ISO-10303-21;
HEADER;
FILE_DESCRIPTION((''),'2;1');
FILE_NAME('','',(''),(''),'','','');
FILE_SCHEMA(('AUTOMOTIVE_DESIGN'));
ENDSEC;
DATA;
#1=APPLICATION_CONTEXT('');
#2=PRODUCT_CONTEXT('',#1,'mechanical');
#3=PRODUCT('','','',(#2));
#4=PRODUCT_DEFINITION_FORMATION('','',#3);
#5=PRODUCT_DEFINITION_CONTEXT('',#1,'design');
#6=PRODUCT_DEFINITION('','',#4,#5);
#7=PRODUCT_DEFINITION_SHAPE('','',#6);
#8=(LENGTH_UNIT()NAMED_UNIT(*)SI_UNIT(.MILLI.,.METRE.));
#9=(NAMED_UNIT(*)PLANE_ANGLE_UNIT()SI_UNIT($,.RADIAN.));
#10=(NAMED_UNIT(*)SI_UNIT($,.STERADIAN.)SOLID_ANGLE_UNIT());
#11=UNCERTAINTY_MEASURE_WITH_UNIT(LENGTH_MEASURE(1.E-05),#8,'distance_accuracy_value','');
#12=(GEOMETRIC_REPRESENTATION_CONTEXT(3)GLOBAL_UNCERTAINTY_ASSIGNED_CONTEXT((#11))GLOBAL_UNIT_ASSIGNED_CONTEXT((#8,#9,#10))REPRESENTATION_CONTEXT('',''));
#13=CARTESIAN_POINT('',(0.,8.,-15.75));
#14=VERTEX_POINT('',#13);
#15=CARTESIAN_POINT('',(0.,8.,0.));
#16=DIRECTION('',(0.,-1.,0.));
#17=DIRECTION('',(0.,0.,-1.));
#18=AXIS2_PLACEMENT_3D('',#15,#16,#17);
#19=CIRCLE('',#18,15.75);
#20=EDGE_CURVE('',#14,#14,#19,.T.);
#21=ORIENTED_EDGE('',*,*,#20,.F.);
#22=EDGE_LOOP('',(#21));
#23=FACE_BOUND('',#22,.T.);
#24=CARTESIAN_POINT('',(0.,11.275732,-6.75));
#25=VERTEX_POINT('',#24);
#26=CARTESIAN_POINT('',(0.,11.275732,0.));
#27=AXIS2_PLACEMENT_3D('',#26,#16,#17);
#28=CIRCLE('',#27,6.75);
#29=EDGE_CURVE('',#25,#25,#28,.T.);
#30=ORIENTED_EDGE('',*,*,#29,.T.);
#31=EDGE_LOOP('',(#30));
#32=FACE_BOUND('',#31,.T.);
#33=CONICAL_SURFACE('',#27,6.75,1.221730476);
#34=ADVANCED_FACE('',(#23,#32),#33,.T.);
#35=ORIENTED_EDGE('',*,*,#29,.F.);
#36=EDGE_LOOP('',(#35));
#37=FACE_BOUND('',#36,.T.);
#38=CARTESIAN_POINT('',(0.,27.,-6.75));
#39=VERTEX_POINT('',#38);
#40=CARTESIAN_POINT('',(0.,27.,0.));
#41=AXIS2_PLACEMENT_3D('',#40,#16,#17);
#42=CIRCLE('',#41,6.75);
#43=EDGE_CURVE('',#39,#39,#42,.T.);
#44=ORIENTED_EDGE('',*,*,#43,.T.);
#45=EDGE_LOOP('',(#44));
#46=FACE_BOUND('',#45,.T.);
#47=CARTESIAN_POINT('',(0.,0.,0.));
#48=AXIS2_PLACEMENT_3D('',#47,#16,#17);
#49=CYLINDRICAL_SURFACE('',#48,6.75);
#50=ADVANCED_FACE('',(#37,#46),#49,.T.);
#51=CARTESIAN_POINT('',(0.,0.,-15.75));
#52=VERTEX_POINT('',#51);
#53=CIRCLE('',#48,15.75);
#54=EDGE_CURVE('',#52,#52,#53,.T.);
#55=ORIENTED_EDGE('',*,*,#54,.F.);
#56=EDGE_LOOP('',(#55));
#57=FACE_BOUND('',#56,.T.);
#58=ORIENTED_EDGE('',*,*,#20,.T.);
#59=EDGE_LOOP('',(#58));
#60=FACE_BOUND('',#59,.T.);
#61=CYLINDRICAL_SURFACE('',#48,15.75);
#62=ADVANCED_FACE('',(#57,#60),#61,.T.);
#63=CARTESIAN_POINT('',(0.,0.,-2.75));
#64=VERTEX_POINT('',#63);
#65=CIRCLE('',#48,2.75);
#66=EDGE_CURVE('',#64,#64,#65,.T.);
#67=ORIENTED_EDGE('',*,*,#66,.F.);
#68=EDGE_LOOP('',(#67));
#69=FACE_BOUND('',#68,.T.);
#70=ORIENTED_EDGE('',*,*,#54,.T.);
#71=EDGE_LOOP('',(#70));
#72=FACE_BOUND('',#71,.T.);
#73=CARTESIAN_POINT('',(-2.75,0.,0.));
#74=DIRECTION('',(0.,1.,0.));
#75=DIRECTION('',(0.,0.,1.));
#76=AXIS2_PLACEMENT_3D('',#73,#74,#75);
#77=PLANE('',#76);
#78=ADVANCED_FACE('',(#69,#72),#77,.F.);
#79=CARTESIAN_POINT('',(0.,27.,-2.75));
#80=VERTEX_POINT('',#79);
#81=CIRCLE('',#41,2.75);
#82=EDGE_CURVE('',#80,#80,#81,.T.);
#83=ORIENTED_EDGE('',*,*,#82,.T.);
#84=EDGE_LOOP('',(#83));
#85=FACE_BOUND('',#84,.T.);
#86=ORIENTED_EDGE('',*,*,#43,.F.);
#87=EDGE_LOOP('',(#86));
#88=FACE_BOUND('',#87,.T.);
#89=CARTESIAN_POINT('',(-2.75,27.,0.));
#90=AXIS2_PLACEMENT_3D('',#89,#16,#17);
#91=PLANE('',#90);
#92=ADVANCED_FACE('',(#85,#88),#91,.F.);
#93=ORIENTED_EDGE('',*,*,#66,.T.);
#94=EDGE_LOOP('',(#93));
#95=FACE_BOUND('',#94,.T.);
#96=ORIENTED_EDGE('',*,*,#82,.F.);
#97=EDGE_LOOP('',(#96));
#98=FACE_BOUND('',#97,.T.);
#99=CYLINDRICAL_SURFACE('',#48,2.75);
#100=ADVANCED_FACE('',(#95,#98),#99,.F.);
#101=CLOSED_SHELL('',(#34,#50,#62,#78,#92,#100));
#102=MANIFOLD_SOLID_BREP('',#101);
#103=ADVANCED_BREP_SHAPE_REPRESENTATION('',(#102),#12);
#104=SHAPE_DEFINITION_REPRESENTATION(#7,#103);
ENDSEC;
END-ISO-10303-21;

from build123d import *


with BuildPart() as part:
    # Sketch1 → Revolve1 (revolve)
    with BuildSketch(Plane.XY, mode=Mode.PRIVATE) as revolve1_sk:
        Polygon((-2.75, 0), (-15.75, 0), (-15.75, 8), (-6.75, 11.275732108), (-6.75, 27), (-2.75, 27), align=None)
    revolve(revolve1_sk.sketch.rotate(Axis((0, 0, 0), (0, 1, 0)), 270), axis=Axis((0, 0, 0), (0, 1, 0)))


solid = part.part
